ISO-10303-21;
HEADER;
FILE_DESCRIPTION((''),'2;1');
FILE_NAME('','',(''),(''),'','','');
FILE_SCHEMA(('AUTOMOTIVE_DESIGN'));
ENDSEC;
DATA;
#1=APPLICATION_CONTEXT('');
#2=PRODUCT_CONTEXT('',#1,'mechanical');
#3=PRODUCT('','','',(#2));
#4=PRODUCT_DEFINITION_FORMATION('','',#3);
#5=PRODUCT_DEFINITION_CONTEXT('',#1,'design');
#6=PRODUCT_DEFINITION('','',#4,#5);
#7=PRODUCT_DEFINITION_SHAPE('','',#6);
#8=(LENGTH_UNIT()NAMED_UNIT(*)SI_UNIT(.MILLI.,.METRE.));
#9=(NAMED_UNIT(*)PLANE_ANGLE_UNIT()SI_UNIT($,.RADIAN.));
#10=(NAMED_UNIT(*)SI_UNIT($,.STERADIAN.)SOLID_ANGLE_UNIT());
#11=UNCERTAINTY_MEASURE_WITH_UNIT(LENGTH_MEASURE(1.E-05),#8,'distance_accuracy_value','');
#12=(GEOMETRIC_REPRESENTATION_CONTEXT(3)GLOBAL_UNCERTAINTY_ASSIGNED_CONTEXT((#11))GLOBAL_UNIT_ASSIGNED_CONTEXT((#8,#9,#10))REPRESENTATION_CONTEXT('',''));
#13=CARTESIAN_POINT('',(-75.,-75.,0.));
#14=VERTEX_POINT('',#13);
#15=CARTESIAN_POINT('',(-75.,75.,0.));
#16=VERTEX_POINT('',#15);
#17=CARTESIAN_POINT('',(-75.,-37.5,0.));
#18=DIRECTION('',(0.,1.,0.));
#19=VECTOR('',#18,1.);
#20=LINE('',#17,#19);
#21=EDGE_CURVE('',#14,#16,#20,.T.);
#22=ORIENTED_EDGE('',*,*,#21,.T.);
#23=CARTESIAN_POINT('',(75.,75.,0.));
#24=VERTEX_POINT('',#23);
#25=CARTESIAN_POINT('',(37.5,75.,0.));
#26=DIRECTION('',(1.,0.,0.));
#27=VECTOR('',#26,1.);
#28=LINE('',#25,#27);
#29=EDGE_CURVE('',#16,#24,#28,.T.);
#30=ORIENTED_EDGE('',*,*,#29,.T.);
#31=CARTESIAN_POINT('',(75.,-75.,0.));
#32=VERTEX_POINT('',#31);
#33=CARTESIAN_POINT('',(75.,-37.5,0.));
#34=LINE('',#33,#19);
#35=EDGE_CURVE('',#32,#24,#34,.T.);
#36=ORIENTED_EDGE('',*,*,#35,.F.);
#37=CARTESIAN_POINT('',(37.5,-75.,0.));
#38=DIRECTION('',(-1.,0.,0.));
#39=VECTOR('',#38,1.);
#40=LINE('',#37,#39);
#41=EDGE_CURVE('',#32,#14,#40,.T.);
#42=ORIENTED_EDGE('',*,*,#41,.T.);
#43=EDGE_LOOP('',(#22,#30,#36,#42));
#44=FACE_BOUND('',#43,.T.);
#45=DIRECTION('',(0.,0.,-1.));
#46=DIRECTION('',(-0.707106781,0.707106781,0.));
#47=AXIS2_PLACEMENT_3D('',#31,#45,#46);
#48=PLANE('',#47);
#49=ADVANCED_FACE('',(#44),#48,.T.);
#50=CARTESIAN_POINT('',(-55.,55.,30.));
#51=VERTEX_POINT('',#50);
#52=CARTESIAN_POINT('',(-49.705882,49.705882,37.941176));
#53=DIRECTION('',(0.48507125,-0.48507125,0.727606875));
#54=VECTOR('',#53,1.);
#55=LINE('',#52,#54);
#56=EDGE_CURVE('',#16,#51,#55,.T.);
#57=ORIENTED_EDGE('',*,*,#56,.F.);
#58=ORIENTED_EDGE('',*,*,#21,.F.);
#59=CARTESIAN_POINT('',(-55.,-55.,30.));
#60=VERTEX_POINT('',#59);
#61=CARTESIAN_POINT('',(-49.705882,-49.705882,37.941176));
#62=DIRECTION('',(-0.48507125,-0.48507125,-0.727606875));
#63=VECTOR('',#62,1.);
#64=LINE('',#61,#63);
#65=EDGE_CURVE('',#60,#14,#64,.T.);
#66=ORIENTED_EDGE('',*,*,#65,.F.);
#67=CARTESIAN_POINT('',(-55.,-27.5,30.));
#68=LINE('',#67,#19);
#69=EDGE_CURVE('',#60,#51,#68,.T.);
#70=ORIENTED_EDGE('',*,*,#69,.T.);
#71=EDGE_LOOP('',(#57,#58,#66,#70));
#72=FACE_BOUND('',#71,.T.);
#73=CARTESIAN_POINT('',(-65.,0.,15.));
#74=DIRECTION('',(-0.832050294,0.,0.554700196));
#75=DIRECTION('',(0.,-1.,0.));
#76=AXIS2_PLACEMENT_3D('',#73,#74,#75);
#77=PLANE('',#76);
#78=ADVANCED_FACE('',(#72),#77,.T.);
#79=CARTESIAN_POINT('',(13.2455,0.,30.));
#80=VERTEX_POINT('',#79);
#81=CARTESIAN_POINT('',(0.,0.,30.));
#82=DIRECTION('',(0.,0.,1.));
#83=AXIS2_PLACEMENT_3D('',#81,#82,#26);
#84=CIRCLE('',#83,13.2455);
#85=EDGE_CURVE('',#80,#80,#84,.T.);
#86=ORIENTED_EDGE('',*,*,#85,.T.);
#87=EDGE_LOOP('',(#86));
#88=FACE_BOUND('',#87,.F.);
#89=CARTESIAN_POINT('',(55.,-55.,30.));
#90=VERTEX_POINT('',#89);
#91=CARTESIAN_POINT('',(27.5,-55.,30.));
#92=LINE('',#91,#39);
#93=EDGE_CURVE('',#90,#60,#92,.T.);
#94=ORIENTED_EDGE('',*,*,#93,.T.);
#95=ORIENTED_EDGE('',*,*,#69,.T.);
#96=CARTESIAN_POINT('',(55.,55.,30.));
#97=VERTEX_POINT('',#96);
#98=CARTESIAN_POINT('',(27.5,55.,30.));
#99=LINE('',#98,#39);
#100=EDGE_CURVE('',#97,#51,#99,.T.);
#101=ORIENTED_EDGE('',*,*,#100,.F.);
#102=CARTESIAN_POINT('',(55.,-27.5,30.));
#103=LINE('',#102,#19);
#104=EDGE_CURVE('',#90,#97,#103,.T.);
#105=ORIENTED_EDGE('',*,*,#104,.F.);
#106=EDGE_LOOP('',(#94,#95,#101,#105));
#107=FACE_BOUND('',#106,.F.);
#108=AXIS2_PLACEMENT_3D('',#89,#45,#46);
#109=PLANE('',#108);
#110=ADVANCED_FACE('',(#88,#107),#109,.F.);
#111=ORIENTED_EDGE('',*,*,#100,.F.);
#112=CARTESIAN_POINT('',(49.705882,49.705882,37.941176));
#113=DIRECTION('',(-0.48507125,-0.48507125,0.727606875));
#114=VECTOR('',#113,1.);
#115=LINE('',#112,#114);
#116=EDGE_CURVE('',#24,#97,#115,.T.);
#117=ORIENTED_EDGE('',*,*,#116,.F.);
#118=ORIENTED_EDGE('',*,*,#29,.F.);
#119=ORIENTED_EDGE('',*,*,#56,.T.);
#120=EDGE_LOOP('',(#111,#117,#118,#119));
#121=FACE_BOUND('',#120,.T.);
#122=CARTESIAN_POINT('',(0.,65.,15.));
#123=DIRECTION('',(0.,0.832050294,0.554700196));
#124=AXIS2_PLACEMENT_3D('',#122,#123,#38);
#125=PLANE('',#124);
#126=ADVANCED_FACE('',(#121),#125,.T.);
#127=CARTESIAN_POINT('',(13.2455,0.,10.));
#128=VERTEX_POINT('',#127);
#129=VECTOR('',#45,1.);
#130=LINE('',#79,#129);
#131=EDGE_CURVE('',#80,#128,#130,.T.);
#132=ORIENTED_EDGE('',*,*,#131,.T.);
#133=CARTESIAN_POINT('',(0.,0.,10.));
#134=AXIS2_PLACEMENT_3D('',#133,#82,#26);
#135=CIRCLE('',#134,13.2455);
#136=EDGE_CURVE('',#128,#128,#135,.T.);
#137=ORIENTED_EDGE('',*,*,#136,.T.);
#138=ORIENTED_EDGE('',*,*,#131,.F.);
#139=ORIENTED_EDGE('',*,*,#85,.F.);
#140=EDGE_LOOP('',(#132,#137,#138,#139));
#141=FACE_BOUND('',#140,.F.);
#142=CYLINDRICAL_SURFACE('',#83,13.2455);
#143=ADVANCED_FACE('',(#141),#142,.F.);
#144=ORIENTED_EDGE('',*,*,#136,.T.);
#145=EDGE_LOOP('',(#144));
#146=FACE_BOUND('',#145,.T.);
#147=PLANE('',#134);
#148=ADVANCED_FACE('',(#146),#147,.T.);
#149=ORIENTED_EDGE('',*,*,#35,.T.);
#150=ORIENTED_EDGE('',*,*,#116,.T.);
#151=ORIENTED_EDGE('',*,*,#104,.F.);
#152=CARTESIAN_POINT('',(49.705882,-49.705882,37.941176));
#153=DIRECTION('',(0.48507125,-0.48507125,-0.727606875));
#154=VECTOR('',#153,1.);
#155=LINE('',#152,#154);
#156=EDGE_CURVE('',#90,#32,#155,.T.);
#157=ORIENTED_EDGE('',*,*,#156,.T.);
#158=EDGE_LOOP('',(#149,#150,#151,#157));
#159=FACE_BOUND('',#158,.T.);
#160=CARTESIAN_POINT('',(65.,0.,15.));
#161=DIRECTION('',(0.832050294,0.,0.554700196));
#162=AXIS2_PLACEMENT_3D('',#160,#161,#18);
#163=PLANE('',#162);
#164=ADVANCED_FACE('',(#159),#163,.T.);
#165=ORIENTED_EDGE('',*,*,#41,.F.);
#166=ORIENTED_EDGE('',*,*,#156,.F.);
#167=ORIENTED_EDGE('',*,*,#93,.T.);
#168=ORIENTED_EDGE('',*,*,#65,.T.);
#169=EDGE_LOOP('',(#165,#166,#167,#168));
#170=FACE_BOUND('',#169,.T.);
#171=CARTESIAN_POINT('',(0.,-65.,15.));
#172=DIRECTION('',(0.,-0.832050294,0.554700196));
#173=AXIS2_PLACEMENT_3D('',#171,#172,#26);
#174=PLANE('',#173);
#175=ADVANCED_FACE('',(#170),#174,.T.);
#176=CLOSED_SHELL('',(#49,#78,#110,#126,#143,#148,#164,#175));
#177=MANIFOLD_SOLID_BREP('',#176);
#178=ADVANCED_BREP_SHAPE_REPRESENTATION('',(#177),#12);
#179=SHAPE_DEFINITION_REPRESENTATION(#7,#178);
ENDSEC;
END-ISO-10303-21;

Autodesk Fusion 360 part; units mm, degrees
sketch "Sketch1" plane through (0, 0, 0) normal (0, 0, 1) x (1, 0, 0)
  line L0 (75, 75) -> (-75, 75)
  line L1 (-75, 75) -> (-75, -75)
  line L2 (-75, -75) -> (75, -75)
  line L3 (75, -75) -> (75, 75)
  line L4 (75, 75) -> (-75, -75) construction
  line L5 (-75, 75) -> (75, -75) construction
  dimension "d3" = 150
  dimension "d4" = 150
ref_plane "WorkPlane1" through (0, 0, 30) normal (0, 0, 1) x (1, 0, 0)
sketch "Sketch2" plane through (0, 0, 30) normal (0, 0, 1) x (1, 0, 0)
  line L0 (55, 55) -> (-55, 55)
  line L1 (-55, 55) -> (-55, -55)
  line L2 (-55, -55) -> (55, -55)
  line L3 (55, -55) -> (55, 55)
  line L4 (55, 55) -> (-55, -55) construction
  line L5 (-55, 55) -> (55, -55) construction
  dimension "d10" = 110
  dimension "d11" = 110
loft "Loft1" add profiles "Sketch1", "Sketch2" section 1 section 2
ref_plane "WorkPlane2" through (0, 0, 30) normal (0, 0, 1) x (1, 0, 0)
sketch "Sketch4" plane through (0, 0, 30) normal (0, 0, 1) x (1, 0, 0)
  circle A0 centre (0, 0) radius 15
  dimension "d22" = 30
extrude "Extrude3" cut sketch "Sketch4" against normal blind 20
thread "Thread2" "ISO Metric profile 30.0 M30x3.5 M30x3.5 6H" major diameter 30.3925 minor diameter 26.491 pitch 3.5 angle 60 resizes the face on face at (14.9814, -0.7477, 16.6667)
